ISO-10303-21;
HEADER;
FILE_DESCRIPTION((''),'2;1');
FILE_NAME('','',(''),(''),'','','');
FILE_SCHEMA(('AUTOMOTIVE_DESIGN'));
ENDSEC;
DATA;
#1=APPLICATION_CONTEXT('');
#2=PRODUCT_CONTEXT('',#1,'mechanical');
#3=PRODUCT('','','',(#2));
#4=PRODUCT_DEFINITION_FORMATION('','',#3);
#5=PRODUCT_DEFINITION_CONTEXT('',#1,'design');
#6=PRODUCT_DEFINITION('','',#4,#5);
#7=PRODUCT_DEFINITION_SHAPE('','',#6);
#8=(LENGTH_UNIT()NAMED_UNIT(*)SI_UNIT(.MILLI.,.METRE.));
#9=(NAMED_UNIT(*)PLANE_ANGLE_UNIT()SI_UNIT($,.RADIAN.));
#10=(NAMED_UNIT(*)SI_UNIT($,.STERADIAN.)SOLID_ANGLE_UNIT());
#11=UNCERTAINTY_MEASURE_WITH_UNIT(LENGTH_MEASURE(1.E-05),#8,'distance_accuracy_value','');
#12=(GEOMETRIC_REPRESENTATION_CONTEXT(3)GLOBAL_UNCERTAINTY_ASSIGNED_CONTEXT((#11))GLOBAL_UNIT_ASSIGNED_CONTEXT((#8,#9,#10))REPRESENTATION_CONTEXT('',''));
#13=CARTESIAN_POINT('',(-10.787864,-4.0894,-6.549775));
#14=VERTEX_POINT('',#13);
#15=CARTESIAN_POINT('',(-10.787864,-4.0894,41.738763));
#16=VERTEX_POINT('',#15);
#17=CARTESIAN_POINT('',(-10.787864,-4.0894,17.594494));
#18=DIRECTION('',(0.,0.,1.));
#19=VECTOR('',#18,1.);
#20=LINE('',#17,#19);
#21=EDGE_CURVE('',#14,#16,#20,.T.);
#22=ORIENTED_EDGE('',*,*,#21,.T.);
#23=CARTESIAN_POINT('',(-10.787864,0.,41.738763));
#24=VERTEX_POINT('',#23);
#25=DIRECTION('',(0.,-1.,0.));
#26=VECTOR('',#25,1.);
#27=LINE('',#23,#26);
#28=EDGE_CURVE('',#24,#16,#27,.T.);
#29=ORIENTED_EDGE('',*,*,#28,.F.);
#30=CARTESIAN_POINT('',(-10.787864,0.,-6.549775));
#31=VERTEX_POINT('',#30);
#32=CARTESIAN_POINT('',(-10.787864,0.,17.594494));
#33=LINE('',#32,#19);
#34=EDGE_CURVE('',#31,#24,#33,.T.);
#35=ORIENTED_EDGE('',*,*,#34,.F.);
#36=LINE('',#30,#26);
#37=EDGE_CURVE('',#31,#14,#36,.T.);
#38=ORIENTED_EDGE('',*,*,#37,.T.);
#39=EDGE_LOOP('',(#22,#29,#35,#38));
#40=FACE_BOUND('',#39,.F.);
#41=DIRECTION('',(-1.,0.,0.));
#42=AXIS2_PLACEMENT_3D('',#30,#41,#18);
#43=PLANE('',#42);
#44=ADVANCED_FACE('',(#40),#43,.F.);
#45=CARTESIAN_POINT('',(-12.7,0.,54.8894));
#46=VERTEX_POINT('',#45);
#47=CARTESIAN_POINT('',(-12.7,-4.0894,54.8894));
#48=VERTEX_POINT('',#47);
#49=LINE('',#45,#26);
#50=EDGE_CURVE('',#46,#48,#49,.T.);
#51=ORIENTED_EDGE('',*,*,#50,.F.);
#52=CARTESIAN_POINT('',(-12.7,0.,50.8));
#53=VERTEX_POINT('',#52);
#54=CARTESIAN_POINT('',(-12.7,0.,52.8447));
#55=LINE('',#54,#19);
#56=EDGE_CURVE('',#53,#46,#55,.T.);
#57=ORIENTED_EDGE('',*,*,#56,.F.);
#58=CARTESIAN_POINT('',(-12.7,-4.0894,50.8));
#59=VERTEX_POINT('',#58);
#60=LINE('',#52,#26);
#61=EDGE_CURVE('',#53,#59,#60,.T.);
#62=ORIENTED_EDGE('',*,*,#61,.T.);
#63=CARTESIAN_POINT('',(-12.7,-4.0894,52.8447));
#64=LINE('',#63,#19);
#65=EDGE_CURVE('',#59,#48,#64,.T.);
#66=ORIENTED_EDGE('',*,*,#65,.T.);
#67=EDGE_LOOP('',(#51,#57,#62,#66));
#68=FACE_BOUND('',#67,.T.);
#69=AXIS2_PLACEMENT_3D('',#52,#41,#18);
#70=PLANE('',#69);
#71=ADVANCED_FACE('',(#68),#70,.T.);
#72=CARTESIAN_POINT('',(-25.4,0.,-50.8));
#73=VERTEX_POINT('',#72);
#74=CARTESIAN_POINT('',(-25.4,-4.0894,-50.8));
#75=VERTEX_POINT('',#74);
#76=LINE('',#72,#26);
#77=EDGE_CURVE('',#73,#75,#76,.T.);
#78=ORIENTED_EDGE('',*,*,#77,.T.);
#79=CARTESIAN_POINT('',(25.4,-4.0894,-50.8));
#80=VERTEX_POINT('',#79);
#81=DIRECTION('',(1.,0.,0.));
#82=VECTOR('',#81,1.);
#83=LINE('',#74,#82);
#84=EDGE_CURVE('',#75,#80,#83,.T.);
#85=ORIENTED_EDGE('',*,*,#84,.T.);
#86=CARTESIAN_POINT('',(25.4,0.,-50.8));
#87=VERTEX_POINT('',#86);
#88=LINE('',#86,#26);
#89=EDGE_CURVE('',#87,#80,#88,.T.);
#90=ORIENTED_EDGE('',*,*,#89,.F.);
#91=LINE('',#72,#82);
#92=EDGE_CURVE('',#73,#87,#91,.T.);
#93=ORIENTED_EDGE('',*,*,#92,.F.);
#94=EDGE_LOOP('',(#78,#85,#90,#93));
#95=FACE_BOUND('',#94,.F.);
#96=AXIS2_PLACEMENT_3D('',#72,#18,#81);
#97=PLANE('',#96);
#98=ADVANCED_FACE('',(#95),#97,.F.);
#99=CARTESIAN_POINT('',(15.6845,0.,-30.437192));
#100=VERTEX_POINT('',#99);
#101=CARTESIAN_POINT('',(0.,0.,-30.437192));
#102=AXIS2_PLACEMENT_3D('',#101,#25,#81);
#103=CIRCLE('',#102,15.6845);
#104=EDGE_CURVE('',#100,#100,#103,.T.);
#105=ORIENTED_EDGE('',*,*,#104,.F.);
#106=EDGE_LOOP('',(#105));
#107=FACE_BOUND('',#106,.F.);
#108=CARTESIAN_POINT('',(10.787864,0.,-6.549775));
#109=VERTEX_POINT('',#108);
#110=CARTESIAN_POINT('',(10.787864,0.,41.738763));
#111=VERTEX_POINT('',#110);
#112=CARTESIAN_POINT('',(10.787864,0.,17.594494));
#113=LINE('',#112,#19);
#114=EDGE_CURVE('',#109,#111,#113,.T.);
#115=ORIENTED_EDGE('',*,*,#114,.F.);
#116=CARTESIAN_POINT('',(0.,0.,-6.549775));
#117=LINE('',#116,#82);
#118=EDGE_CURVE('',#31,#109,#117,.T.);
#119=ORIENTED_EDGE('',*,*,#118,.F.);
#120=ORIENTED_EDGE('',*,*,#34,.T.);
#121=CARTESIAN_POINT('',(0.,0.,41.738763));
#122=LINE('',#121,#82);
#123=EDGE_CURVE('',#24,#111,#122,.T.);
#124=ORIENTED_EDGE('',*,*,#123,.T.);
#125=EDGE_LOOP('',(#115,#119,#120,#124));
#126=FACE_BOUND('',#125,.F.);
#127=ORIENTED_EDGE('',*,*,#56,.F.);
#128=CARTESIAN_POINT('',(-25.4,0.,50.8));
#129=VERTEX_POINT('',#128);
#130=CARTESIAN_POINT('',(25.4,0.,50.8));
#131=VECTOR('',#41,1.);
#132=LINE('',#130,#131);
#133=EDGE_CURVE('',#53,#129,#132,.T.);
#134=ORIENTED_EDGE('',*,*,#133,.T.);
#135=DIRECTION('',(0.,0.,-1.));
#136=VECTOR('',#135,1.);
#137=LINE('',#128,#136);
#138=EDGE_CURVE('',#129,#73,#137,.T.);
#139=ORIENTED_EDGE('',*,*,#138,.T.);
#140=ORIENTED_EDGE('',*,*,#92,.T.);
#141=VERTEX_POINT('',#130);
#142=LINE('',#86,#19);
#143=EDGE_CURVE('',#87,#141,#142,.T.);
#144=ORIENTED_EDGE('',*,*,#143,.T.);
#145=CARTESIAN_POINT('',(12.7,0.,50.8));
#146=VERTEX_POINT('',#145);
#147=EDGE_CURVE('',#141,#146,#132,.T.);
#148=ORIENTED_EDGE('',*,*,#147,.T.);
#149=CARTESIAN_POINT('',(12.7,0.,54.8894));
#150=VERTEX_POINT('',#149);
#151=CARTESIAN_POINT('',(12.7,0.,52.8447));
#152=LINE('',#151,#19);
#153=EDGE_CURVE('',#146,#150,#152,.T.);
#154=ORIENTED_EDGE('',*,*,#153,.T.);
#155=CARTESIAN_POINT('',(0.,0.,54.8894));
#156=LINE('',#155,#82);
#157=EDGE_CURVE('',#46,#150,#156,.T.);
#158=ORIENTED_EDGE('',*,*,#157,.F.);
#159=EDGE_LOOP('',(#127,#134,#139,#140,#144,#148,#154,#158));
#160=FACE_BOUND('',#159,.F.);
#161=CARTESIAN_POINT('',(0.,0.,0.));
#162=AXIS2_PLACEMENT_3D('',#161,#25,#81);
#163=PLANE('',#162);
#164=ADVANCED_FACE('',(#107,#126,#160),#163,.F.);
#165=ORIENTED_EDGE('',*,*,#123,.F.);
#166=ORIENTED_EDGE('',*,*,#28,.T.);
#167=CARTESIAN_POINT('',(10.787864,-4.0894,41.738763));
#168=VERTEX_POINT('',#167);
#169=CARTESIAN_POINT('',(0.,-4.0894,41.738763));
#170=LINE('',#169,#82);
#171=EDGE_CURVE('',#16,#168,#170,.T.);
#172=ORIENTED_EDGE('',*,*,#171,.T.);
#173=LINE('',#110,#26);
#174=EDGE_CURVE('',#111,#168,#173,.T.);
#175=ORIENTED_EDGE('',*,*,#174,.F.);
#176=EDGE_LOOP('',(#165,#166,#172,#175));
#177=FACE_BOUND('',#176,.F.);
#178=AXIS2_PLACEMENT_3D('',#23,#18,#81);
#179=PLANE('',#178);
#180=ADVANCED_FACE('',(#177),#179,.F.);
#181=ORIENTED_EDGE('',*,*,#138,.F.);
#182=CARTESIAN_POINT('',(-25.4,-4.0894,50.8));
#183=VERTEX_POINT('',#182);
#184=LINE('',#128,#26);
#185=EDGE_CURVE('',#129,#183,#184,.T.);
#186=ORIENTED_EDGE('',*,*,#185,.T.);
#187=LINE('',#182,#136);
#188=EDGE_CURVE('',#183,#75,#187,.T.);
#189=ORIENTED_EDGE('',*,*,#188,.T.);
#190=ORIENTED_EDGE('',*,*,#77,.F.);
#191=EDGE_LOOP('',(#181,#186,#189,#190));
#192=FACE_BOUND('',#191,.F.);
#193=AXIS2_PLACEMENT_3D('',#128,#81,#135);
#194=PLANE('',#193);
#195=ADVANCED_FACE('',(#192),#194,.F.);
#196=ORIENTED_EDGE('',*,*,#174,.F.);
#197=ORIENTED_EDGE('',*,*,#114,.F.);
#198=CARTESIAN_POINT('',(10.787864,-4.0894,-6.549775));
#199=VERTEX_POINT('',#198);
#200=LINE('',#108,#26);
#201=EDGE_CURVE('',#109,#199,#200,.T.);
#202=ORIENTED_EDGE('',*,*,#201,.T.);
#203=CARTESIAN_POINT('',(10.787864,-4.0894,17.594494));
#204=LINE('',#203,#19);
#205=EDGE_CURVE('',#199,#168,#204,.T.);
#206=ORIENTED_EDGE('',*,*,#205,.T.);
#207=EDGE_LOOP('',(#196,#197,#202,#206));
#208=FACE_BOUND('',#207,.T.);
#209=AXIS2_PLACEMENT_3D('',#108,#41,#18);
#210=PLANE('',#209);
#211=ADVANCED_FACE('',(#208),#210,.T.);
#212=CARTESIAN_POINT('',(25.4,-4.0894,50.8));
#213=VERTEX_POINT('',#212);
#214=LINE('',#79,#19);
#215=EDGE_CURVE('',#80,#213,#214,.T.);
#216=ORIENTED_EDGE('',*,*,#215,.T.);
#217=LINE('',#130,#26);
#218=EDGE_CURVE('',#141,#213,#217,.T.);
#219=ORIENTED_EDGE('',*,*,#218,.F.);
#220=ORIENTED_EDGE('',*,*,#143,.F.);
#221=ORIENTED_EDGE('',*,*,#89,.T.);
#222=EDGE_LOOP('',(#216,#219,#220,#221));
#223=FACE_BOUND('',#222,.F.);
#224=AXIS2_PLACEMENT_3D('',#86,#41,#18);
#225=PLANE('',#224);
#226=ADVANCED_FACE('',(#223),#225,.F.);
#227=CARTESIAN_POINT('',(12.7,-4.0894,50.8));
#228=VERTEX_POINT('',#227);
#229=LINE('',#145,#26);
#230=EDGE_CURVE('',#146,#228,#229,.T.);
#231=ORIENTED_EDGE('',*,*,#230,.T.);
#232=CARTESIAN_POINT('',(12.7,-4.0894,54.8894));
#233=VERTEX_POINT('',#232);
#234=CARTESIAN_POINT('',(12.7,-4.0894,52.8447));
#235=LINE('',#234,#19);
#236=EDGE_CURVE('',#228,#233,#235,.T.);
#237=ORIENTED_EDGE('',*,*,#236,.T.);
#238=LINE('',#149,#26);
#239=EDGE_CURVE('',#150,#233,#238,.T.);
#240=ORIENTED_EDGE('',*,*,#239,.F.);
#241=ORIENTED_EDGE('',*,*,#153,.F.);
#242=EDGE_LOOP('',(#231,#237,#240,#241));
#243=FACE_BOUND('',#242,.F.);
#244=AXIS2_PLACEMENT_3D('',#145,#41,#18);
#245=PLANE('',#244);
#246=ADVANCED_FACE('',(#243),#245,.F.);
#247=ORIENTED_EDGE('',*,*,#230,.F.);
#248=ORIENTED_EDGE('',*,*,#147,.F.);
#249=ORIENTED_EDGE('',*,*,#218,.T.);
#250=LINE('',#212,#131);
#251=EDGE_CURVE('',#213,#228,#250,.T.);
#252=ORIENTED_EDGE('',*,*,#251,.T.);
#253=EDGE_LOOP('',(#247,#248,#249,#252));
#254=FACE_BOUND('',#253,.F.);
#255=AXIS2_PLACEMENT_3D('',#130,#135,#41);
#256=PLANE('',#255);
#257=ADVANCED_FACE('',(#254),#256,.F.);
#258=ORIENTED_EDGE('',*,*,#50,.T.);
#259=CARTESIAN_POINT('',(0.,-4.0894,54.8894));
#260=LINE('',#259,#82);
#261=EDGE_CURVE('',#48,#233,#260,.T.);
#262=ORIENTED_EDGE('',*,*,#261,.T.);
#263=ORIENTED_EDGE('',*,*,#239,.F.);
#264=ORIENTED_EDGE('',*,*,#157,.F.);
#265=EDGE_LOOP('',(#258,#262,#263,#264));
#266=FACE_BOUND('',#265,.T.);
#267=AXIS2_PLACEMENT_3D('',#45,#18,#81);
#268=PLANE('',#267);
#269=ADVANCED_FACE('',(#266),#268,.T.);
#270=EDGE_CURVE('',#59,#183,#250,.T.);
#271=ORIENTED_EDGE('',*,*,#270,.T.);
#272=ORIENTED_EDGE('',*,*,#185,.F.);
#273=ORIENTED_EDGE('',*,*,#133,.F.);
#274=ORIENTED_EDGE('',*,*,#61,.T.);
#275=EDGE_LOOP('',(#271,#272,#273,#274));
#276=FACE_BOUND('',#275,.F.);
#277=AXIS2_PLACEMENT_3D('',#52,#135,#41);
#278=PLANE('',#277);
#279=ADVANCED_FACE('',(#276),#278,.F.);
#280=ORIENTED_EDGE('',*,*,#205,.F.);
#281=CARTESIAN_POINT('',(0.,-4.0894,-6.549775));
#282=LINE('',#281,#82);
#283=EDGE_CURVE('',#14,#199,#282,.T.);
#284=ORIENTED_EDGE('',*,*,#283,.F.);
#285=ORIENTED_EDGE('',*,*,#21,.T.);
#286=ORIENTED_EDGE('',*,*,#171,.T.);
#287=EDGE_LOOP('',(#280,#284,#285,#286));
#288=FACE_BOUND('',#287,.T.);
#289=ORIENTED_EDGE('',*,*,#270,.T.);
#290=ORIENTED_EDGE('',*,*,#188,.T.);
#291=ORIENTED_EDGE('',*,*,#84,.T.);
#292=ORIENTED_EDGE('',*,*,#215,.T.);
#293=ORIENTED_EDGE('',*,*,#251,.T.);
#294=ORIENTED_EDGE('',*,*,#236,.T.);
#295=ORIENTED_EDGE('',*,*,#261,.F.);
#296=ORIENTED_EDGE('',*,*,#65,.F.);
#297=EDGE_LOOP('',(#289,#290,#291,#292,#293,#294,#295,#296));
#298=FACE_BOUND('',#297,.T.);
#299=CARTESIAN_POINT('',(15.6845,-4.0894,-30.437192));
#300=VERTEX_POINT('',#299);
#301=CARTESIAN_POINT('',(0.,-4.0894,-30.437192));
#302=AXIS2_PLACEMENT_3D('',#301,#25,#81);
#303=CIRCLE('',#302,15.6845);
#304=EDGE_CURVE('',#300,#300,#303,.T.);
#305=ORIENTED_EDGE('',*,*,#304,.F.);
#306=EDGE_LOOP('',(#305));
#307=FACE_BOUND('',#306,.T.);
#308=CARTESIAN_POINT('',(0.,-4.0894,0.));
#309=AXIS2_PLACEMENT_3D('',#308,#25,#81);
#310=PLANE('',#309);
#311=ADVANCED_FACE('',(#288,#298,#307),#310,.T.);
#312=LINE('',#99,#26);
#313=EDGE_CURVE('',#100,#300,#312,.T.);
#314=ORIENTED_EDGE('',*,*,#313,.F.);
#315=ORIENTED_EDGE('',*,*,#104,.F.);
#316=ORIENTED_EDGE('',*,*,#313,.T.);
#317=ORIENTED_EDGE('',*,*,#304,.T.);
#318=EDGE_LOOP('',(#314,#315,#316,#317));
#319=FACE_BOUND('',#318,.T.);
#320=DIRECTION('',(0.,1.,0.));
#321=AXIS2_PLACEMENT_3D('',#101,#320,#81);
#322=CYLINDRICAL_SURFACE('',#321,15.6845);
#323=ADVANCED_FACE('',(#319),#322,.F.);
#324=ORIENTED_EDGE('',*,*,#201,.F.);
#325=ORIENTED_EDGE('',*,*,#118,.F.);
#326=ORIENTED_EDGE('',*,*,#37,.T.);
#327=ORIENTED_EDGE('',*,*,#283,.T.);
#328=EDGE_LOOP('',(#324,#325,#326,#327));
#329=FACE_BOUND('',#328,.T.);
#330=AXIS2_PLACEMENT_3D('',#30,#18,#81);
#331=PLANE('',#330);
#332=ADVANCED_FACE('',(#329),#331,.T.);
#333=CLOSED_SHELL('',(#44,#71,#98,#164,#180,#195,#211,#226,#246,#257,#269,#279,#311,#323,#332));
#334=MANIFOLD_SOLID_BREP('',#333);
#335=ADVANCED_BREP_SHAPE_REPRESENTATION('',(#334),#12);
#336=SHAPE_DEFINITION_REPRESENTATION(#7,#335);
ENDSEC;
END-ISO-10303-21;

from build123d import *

# Parameters (mm, degrees)
F0_R     = 15.6845
F0_W     = 21.575728
F0_H     = 48.288538
F0_W_2   = 25.4
F0_H_2   = 4.0894
F1_DEPTH = 4.0894


with BuildPart() as f1:
    # F0 (on Front) → F1 (new body)
    with BuildSketch(Plane.XZ):
        Polygon((-25.4, -50.8), (25.4, -50.8), (25.4, 50.8), (12.7, 50.8), (-12.7, 50.8), (-25.4, 50.8), align=None)
        with Locations((0, -30.437192)):
            Circle(F0_R, mode=Mode.SUBTRACT)
        with Locations((0, 17.594494)):
            Rectangle(F0_W, F0_H, mode=Mode.SUBTRACT)
        with Locations((0, 52.8447)):
            Rectangle(F0_W_2, F0_H_2)
    extrude(amount=F1_DEPTH)


solid = f1.part
